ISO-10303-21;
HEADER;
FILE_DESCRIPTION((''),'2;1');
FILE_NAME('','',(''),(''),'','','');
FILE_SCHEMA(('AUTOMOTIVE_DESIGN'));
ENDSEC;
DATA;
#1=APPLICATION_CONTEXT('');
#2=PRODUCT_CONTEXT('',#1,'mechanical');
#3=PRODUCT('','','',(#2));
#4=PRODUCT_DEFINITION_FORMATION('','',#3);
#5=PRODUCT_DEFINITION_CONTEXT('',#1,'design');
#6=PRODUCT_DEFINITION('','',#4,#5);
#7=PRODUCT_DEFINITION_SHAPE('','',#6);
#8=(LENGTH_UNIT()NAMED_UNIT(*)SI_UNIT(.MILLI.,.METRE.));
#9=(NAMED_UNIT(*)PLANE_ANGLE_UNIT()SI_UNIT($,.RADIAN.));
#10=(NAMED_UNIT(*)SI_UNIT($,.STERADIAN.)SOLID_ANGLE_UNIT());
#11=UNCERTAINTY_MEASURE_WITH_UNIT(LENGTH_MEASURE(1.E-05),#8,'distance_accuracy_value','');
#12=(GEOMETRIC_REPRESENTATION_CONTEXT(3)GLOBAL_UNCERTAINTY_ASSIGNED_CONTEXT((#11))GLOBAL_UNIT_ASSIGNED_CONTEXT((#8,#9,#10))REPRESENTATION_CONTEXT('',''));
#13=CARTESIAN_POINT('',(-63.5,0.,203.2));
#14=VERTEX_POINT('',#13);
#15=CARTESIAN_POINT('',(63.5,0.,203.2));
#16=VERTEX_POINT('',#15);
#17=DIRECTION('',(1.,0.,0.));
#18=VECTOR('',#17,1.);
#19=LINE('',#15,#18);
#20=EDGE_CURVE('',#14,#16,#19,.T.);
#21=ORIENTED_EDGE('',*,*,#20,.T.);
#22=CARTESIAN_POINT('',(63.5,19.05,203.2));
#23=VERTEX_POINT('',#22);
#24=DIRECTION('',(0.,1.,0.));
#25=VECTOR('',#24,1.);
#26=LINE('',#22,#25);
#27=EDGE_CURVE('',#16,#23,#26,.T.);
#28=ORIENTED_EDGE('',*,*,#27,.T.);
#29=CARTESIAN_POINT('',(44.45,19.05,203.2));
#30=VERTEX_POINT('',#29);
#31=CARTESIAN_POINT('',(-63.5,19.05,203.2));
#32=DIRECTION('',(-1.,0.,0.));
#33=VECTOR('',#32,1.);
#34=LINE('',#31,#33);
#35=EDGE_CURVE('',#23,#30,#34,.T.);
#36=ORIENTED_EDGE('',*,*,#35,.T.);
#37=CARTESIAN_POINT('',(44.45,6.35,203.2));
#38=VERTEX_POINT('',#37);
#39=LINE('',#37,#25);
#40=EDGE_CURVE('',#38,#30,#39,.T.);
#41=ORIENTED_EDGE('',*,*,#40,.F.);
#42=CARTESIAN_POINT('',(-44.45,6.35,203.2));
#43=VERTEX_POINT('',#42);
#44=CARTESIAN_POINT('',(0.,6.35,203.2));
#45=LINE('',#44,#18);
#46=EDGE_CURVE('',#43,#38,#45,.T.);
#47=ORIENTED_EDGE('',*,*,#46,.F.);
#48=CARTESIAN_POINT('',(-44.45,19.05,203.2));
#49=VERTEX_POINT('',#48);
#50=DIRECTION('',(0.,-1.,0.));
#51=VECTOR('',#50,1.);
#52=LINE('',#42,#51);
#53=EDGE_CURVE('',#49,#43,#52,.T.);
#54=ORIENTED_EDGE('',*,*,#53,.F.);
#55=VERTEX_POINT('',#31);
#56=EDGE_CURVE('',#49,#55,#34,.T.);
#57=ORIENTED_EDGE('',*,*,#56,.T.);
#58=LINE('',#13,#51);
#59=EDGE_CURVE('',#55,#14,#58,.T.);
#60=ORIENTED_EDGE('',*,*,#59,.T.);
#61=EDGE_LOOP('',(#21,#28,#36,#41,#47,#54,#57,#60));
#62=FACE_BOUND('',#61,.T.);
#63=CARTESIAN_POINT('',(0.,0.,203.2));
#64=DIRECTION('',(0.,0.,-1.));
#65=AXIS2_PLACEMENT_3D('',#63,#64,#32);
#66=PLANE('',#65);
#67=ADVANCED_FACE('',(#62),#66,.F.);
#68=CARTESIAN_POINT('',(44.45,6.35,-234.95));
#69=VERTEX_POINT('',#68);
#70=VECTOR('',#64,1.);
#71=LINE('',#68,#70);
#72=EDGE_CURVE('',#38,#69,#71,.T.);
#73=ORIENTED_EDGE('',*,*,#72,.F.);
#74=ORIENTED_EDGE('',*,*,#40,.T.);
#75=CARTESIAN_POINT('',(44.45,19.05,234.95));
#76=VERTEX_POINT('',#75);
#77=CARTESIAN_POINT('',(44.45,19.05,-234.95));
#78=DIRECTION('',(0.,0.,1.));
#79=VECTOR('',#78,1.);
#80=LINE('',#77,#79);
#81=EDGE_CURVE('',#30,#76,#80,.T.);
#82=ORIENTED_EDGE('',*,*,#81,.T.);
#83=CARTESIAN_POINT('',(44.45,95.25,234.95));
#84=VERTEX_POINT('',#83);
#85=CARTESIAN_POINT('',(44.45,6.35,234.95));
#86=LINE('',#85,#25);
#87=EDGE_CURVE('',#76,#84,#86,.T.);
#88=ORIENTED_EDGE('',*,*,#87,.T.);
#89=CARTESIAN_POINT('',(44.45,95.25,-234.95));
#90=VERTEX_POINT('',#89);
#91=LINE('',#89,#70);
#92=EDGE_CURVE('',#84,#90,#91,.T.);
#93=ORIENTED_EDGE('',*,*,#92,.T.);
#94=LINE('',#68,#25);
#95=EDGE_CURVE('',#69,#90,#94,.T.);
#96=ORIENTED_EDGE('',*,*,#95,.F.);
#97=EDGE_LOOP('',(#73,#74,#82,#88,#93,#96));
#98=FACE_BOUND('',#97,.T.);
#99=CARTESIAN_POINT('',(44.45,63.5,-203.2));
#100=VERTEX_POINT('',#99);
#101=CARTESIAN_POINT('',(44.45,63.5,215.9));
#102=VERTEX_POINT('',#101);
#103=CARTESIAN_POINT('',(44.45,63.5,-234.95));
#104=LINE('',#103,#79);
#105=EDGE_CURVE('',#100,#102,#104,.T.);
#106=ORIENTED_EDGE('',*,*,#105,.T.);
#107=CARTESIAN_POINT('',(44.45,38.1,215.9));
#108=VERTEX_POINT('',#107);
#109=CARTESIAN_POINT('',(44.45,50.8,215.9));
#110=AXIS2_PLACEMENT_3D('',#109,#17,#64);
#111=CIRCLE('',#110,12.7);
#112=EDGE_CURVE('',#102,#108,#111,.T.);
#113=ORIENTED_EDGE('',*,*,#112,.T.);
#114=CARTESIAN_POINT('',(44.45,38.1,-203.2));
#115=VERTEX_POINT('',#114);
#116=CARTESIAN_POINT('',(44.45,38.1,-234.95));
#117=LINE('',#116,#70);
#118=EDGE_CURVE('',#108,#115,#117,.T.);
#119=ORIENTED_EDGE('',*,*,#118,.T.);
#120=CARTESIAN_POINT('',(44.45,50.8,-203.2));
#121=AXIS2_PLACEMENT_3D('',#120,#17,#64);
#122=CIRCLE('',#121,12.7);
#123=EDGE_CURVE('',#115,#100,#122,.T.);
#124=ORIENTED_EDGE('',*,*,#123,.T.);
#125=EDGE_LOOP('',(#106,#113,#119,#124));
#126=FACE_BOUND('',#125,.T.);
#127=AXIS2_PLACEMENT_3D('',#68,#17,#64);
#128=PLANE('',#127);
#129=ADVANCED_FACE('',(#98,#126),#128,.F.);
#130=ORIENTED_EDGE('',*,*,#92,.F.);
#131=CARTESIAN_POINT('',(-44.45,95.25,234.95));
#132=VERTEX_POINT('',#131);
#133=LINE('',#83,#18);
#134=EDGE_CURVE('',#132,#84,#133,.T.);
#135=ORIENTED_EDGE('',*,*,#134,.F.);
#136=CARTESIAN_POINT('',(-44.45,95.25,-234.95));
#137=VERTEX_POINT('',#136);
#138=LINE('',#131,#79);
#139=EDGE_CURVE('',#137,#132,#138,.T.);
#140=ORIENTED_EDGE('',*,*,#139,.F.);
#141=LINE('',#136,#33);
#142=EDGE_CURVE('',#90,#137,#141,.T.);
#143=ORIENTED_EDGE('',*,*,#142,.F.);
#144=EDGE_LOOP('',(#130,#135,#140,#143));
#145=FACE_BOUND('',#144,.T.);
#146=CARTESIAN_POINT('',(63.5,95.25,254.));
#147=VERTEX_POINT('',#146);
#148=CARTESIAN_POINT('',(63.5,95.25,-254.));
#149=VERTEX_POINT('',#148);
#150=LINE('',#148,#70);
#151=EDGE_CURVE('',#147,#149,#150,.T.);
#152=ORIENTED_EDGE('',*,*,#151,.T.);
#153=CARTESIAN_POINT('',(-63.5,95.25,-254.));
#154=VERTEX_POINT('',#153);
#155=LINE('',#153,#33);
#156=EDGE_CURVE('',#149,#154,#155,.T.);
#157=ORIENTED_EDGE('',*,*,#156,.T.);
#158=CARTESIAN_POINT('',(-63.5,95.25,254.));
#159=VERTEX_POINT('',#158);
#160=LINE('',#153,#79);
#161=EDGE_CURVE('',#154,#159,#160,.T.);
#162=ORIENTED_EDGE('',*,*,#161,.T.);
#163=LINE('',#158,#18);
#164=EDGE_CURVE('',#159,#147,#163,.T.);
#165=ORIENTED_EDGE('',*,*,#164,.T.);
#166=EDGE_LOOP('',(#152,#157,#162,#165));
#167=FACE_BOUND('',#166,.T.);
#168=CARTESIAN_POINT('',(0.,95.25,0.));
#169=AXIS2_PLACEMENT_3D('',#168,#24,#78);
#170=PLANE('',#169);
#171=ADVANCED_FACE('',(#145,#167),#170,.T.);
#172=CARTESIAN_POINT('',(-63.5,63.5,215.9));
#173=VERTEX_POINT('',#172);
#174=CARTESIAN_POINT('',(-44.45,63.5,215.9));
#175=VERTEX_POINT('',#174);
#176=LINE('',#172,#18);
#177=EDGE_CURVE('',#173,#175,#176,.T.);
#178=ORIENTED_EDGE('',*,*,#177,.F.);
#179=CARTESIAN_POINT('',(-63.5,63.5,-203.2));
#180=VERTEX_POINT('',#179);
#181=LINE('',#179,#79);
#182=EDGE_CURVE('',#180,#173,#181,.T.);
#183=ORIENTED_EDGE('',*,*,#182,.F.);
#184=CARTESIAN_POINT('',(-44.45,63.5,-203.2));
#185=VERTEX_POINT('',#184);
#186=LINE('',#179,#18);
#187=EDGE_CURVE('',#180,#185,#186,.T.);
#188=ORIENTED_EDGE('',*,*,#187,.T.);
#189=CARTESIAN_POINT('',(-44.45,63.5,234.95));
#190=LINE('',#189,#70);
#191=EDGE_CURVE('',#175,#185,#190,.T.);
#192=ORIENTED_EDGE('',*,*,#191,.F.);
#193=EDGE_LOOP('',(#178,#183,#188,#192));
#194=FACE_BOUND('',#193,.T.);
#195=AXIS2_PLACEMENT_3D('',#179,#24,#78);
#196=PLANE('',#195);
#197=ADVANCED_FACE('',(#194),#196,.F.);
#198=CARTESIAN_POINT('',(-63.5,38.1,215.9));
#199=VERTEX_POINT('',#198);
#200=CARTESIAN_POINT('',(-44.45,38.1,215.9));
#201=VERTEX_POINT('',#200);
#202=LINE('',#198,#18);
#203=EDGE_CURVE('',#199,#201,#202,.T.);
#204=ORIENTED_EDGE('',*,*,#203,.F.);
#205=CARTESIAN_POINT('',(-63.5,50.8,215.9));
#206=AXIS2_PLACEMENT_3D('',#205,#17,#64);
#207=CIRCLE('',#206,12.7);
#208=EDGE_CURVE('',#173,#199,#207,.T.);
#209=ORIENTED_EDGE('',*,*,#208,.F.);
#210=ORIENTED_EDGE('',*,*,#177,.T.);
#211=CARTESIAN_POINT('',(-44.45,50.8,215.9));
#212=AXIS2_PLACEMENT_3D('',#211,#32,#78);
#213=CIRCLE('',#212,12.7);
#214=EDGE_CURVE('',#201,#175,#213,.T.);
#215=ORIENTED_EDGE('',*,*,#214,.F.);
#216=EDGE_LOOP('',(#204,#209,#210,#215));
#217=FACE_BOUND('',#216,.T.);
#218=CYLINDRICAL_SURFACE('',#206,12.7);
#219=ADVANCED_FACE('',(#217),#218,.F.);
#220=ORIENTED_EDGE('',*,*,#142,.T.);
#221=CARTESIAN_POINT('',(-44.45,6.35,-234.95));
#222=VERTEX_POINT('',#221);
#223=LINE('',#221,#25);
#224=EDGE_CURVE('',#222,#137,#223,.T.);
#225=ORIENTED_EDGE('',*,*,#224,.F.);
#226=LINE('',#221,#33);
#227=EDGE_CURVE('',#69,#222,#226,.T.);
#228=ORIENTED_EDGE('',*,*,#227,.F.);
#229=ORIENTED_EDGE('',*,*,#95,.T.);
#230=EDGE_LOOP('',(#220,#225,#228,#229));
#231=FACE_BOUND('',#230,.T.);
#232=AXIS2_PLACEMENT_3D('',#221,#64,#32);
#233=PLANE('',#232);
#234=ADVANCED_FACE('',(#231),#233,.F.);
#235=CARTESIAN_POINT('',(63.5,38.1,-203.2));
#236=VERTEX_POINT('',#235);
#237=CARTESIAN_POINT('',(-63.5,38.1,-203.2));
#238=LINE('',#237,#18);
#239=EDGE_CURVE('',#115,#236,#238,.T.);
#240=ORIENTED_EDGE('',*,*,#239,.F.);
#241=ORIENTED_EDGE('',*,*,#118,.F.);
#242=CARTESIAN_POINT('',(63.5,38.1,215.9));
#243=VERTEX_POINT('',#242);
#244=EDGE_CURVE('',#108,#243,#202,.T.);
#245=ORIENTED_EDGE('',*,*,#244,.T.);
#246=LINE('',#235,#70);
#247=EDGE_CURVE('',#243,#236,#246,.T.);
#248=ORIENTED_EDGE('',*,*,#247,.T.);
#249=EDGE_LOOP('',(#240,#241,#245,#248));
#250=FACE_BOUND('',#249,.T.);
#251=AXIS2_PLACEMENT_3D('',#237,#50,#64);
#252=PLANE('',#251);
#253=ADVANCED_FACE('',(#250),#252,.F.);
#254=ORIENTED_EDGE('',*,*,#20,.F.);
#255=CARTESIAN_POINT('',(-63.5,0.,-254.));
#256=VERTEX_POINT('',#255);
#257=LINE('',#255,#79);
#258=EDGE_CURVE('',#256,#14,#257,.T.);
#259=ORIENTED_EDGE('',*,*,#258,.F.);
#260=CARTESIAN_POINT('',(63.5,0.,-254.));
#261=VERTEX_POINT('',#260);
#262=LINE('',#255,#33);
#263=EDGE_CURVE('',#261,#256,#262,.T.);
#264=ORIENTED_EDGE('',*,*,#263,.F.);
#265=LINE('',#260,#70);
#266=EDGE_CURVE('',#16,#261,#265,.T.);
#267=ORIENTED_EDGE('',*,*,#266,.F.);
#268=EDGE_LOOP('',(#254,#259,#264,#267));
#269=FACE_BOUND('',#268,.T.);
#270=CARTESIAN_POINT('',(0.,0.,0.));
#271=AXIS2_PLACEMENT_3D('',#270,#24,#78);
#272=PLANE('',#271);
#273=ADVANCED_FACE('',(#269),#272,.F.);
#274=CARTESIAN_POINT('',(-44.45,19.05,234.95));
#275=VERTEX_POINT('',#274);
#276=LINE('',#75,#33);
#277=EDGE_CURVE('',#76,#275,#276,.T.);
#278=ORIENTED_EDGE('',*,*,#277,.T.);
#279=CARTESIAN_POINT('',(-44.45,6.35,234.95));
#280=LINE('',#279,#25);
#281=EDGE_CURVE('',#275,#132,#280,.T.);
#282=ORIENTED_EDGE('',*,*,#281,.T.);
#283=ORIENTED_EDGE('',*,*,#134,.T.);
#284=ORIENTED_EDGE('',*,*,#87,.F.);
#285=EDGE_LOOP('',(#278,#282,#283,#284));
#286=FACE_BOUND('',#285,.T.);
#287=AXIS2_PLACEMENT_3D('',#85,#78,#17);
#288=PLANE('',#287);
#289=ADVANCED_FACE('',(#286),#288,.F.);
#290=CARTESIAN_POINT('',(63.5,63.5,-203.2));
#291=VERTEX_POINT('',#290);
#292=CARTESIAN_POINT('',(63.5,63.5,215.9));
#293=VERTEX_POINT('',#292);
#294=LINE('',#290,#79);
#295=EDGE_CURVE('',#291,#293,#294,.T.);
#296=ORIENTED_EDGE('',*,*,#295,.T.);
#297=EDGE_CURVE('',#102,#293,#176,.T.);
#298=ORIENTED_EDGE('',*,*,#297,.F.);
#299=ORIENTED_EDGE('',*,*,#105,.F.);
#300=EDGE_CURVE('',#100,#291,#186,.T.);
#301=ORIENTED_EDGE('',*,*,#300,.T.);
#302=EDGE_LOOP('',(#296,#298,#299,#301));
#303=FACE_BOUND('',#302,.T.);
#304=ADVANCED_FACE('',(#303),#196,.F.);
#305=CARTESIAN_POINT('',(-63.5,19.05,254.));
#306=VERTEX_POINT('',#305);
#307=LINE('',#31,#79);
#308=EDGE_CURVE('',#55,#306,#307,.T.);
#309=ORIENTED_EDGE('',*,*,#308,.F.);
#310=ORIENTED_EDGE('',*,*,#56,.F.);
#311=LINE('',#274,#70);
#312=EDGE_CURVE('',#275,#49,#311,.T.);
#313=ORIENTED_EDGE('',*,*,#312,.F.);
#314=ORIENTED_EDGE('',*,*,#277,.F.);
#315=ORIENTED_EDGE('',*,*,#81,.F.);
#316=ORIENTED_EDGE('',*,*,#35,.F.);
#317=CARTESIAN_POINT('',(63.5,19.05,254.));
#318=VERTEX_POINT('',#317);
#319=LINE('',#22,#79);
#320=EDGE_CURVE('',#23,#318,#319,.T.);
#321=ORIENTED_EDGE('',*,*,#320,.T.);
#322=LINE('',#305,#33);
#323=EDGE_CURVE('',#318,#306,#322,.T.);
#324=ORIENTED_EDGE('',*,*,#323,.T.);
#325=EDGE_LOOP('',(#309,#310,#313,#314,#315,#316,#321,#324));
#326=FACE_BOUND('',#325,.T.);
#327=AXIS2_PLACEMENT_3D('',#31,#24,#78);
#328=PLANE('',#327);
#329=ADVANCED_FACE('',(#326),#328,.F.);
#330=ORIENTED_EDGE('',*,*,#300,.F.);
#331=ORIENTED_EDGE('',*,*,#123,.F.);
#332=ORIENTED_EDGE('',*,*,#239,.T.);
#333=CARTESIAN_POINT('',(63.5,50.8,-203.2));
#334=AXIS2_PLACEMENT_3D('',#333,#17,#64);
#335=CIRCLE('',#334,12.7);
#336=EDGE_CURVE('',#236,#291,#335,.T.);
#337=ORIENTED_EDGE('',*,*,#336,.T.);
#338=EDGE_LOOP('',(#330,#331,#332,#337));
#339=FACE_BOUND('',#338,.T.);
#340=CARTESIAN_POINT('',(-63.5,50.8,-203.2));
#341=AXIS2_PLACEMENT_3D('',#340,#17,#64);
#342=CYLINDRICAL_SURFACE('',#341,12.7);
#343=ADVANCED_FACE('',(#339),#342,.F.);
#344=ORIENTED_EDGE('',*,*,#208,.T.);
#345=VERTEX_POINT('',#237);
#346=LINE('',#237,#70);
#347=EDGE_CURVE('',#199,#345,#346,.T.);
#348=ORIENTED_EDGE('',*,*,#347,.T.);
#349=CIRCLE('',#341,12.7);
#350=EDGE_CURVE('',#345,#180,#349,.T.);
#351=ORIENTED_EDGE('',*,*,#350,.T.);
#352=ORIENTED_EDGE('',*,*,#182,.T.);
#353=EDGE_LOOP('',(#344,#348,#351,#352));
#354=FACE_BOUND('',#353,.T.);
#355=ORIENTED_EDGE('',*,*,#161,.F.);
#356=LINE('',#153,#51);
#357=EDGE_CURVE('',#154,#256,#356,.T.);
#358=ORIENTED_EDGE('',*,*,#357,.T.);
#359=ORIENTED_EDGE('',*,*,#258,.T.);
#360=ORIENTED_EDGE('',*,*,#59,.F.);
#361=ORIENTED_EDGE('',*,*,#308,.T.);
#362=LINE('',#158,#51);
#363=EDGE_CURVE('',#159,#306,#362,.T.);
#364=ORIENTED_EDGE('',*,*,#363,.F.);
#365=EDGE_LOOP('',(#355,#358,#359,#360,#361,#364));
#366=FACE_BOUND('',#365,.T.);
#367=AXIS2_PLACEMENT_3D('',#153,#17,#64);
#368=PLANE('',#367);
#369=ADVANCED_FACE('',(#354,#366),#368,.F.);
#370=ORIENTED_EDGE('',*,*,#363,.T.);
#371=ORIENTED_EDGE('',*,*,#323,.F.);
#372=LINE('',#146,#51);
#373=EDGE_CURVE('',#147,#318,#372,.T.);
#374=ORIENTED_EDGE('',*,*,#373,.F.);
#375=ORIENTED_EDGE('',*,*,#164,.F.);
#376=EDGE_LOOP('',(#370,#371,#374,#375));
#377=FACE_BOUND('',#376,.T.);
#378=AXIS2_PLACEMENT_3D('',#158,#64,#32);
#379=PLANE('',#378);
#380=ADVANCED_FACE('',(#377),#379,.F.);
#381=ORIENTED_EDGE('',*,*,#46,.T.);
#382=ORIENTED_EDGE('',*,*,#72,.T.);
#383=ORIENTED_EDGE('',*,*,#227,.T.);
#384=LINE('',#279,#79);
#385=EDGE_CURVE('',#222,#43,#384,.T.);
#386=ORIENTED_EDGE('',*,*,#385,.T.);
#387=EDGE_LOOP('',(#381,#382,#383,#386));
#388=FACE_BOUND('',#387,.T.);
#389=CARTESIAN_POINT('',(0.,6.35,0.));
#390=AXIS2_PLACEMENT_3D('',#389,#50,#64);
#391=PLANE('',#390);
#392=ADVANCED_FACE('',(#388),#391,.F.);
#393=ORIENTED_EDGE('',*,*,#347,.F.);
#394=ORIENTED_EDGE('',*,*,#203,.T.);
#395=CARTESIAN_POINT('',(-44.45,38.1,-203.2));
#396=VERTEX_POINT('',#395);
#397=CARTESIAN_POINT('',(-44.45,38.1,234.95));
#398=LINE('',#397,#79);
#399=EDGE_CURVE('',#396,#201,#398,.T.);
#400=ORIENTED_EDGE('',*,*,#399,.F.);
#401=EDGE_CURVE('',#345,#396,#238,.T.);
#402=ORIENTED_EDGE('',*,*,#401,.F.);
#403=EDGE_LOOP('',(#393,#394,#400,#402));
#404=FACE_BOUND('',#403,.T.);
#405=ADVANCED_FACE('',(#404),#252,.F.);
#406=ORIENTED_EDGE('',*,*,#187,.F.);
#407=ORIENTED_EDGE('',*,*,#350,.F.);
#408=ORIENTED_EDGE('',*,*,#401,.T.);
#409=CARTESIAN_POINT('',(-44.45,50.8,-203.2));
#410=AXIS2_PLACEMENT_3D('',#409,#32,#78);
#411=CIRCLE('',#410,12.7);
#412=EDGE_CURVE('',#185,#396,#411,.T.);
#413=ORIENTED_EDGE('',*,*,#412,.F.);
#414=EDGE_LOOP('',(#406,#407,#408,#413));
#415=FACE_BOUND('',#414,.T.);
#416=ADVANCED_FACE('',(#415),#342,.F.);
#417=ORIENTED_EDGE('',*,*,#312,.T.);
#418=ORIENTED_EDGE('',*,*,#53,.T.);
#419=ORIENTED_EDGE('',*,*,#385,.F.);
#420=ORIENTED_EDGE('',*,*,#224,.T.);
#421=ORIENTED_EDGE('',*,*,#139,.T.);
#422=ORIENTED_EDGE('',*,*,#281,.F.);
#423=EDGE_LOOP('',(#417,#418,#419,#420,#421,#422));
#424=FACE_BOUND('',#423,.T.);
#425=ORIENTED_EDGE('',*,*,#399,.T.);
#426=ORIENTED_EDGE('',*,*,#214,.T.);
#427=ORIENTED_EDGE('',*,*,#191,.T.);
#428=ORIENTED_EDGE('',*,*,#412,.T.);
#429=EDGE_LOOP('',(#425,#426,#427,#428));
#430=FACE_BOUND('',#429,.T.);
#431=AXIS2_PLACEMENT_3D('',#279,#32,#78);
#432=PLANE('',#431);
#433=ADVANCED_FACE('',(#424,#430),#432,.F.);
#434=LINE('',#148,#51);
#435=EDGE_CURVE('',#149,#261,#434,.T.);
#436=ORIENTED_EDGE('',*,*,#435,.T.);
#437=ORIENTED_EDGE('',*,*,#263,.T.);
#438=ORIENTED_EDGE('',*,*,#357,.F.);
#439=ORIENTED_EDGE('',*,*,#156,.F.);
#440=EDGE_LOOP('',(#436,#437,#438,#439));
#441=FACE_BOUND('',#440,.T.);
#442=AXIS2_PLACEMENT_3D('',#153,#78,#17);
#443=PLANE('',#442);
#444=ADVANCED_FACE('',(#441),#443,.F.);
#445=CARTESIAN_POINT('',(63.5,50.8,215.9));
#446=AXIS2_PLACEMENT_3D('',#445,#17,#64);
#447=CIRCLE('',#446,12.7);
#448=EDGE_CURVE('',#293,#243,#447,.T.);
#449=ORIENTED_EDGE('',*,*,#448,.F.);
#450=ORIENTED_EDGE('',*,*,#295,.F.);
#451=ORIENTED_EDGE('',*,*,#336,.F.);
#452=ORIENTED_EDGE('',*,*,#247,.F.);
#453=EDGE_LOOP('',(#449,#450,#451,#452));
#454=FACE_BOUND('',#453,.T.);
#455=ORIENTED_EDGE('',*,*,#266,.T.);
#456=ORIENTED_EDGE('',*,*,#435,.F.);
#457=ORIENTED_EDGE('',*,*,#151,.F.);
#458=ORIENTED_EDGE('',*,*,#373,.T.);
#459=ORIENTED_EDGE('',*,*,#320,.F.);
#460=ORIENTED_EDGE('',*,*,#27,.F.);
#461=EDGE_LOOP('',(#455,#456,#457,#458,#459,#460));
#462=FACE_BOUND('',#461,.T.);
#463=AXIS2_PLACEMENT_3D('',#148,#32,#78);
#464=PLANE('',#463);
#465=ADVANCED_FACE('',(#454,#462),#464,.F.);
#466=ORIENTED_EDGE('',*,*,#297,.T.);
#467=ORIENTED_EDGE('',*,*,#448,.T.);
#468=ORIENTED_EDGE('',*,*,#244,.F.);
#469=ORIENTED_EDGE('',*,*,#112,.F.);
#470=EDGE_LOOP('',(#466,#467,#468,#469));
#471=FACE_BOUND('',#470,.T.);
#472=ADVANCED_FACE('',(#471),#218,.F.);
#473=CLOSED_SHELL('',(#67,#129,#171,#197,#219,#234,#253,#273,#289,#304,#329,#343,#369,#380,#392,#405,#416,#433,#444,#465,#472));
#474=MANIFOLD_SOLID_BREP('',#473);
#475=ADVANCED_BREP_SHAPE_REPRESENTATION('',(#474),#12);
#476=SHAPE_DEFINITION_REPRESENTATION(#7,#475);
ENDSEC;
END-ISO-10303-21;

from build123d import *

# Parameters (mm, degrees)
SKETCH1_W           = 127
SKETCH1_H           = 508
BOSS_EXTRUDE1_DEPTH = 95.25
SKETCH2_W           = 88.9
SKETCH2_H           = 469.9
CUT_EXTRUDE2_DEPTH  = 88.9
CUT_EXTRUDE3_DEPTH  = 128
SKETCH4_W           = 127
SKETCH4_H           = 19.05
CUT_EXTRUDE4_DEPTH  = 50.8


with BuildPart() as part:
    # Sketch1 → Boss-Extrude1 (new body)
    with BuildSketch(Plane(origin=(0, 0, 0), x_dir=(1, 0, 0), z_dir=(0, 1, 0))):
        Rectangle(SKETCH1_W, SKETCH1_H)
    extrude(amount=BOSS_EXTRUDE1_DEPTH)

    # Sketch2 → Cut-Extrude2 (cut)
    with BuildSketch(Plane(origin=(0, 95.25, 0), x_dir=(1, 0, 0), z_dir=(0, 1, 0))):
        Rectangle(SKETCH2_W, SKETCH2_H)
    extrude(amount=-CUT_EXTRUDE2_DEPTH, mode=Mode.SUBTRACT)

    # Sketch3 → Cut-Extrude3 (cut, through all)
    with BuildSketch(Plane(origin=(63.5, 0, 0), x_dir=(0, 0, -1), z_dir=(1, 0, 0))):
        with BuildLine():
            Line((203.2, 38.1), (-215.9, 38.1))
            ThreePointArc((-215.9, 38.1), (-228.6, 50.8), (-215.9, 63.5))
            Line((-215.9, 63.5), (203.2, 63.5))
            ThreePointArc((203.2, 63.5), (215.9, 50.8), (203.2, 38.1))
        make_face()
    extrude(amount=-CUT_EXTRUDE3_DEPTH, mode=Mode.SUBTRACT)

    # Sketch4 → Cut-Extrude4 (cut)
    with BuildSketch(Plane.XY.offset(254)):
        with Locations((0, 9.525)):
            Rectangle(SKETCH4_W, SKETCH4_H)
    extrude(amount=-CUT_EXTRUDE4_DEPTH, mode=Mode.SUBTRACT)


solid = part.part
